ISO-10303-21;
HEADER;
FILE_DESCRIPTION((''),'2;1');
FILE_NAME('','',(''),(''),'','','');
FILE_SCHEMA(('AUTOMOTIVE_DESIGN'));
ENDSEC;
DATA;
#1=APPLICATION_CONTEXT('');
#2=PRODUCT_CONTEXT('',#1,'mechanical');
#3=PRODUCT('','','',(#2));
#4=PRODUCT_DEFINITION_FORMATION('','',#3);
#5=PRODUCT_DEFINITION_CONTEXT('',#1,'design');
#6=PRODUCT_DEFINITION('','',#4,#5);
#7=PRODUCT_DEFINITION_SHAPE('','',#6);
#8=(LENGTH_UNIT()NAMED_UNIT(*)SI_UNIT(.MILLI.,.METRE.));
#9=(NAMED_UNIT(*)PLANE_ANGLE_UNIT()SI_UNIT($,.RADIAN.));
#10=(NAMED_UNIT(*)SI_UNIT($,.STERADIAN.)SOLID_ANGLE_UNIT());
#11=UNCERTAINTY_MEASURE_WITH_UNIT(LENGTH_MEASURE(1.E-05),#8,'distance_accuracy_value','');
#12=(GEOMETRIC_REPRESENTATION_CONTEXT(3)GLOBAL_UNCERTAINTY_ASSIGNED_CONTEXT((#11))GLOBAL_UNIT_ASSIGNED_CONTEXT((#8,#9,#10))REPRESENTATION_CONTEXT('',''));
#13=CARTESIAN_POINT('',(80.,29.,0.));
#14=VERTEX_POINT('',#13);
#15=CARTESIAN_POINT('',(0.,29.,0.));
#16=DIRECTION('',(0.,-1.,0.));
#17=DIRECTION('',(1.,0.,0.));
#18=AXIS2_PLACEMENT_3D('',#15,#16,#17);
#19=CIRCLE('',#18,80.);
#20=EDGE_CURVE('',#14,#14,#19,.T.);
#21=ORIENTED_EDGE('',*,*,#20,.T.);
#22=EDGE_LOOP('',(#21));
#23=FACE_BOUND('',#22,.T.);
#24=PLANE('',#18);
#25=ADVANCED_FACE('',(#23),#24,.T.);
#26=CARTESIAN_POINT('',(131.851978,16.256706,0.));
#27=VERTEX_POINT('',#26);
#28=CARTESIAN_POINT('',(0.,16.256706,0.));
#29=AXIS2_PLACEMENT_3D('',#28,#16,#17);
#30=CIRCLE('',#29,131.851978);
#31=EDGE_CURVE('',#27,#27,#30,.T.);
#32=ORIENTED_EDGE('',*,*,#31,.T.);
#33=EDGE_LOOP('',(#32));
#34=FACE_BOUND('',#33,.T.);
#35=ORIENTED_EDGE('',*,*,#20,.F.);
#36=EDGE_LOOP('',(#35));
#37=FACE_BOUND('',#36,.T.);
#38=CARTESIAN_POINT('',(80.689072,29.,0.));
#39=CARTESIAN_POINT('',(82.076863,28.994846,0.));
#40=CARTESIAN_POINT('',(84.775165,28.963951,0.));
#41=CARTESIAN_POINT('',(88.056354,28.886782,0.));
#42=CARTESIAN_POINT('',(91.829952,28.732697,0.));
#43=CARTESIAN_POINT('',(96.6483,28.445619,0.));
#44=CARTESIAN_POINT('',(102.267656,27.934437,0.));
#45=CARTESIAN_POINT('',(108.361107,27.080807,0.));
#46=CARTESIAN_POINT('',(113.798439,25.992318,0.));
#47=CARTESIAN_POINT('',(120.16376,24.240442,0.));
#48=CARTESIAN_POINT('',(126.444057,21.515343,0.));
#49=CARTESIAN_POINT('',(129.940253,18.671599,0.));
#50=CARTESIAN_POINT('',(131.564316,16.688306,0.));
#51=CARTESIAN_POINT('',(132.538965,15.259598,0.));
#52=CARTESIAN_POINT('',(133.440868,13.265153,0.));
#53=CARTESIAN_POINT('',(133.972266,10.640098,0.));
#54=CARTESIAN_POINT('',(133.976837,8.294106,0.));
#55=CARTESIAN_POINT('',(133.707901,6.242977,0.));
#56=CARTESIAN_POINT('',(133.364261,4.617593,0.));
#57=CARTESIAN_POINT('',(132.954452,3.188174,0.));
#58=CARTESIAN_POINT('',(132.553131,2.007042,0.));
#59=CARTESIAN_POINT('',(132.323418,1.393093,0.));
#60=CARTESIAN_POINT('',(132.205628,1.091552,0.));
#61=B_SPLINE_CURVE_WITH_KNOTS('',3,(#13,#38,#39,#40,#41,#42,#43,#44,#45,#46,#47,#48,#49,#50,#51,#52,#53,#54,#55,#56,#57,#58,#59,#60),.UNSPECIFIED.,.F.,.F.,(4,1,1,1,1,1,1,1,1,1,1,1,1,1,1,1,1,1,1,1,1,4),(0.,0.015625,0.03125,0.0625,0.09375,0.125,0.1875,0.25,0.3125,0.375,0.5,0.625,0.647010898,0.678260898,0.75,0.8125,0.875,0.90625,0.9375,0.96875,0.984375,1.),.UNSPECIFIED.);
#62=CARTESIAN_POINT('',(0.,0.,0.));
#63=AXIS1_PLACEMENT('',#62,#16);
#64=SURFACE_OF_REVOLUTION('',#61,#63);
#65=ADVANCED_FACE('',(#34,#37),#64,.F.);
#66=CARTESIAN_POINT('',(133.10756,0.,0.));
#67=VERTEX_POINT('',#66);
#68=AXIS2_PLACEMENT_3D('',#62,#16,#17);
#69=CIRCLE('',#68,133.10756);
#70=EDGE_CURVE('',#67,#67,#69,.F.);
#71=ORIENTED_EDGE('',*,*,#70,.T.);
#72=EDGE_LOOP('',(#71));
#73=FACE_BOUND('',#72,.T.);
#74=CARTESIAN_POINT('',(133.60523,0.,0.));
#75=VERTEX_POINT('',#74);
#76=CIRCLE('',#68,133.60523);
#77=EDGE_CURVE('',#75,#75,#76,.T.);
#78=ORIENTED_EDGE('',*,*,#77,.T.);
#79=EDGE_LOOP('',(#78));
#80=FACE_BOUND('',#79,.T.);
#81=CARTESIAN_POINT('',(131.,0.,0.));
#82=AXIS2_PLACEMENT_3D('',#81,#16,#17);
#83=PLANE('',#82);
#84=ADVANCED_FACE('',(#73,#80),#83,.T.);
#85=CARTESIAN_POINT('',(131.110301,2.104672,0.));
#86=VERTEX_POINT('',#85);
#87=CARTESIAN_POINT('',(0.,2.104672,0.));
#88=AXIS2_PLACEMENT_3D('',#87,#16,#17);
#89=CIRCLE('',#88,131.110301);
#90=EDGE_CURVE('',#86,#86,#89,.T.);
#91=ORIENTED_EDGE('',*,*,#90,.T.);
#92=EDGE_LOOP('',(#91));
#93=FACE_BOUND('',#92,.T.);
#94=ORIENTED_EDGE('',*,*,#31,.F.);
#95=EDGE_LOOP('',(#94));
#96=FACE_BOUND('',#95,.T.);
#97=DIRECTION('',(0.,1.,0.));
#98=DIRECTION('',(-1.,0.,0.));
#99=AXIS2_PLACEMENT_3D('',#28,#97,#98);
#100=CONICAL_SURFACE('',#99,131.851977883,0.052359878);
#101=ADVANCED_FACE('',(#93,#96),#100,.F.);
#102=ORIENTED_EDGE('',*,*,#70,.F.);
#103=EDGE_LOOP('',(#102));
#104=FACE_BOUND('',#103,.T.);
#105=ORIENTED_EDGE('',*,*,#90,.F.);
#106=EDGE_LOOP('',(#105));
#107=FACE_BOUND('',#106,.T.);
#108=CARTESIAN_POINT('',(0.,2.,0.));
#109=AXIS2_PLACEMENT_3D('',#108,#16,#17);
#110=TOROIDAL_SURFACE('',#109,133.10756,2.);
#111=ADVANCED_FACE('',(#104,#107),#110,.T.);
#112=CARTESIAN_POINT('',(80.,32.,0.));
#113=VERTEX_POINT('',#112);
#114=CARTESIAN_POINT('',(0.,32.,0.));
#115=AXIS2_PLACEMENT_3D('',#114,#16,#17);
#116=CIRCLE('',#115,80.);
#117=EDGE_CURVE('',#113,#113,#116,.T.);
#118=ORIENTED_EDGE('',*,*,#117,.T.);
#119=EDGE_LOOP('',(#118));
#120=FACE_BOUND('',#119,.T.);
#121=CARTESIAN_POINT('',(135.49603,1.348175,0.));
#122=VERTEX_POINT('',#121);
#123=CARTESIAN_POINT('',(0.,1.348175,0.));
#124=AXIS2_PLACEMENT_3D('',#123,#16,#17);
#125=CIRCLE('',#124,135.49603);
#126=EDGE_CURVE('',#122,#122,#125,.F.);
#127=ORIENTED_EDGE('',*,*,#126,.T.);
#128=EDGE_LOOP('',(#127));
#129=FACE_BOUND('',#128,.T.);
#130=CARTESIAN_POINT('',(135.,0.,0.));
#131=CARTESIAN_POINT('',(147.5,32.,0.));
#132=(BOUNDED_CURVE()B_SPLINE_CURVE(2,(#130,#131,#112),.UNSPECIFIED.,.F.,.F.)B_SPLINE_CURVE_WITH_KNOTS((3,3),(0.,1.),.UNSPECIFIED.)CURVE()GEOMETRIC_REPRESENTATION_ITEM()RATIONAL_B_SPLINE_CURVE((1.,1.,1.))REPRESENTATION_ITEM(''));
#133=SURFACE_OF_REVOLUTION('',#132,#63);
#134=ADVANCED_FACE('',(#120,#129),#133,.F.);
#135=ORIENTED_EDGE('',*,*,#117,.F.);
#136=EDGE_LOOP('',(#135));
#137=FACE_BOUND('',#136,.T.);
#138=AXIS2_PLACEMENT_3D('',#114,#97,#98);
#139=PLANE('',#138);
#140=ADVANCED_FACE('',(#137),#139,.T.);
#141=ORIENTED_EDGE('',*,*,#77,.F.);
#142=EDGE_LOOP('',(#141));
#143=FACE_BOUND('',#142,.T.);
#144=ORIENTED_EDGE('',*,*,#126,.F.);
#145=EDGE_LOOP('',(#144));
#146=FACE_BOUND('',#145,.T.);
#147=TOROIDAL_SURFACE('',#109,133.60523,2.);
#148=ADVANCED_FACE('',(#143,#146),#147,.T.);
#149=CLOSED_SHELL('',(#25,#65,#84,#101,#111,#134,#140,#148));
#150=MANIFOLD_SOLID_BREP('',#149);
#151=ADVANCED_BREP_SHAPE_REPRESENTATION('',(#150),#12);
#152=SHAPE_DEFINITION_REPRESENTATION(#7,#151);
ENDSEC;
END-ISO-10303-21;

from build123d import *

# Parameters (mm, degrees)
FILLET1_R = 2


with BuildPart() as part:
    # Sketch1 → Revolve1 (revolve)
    with BuildSketch(Plane.XY):
        with BuildLine():
            Line((0, 32), (80, 32))
            add(Edge.make_bspline(
                [(80, 32), (147.5, 32), (135, 0)],
                knots=[0, 0, 0, 1, 1, 1], degree=2, weights=[1, 1, 1]))
            Line((135, 0), (131, 0))
            Line((131, 0), (131.851977883, 16.25670644))
            add(Edge.make_bspline(
                [(80, 29), (80.689072442, 29), (82.076862717, 28.994846466), (84.775164614, 28.96395116), (88.056354116, 28.88678173), (91.829951508, 28.732696964), (96.648299829, 28.445618766), (102.267656424, 27.934437364), (108.361107153, 27.080807389), (113.798438754, 25.992318092), (120.163760179, 24.240442252), (126.444056899, 21.515342649), (129.940253057, 18.671598914), (131.421962962, 16.862146495), (131.729918702, 16.43533592), (131.851977883, 16.25670644)],
                knots=[0, 0, 0, 0, 0.015625, 0.03125, 0.0625, 0.09375, 0.125, 0.1875, 0.25, 0.3125, 0.375, 0.5, 0.625, 0.647010898, 0.662635898, 0.662635898, 0.662635898, 0.662635898], degree=3))
            Line((80, 29), (0, 29))
            Line((0, 29), (0, 32))
        make_face()
    revolve(axis=Axis((0, 0, 0), (0, 1, 0)))

    # Fillet1
    fillet1_edges = [part.edges().sort_by_distance(p)[0] for p in [
        (-135, 0, 0),
        (-131, 0, 0),
    ]]
    fillet(fillet1_edges, radius=FILLET1_R)


solid = part.part
